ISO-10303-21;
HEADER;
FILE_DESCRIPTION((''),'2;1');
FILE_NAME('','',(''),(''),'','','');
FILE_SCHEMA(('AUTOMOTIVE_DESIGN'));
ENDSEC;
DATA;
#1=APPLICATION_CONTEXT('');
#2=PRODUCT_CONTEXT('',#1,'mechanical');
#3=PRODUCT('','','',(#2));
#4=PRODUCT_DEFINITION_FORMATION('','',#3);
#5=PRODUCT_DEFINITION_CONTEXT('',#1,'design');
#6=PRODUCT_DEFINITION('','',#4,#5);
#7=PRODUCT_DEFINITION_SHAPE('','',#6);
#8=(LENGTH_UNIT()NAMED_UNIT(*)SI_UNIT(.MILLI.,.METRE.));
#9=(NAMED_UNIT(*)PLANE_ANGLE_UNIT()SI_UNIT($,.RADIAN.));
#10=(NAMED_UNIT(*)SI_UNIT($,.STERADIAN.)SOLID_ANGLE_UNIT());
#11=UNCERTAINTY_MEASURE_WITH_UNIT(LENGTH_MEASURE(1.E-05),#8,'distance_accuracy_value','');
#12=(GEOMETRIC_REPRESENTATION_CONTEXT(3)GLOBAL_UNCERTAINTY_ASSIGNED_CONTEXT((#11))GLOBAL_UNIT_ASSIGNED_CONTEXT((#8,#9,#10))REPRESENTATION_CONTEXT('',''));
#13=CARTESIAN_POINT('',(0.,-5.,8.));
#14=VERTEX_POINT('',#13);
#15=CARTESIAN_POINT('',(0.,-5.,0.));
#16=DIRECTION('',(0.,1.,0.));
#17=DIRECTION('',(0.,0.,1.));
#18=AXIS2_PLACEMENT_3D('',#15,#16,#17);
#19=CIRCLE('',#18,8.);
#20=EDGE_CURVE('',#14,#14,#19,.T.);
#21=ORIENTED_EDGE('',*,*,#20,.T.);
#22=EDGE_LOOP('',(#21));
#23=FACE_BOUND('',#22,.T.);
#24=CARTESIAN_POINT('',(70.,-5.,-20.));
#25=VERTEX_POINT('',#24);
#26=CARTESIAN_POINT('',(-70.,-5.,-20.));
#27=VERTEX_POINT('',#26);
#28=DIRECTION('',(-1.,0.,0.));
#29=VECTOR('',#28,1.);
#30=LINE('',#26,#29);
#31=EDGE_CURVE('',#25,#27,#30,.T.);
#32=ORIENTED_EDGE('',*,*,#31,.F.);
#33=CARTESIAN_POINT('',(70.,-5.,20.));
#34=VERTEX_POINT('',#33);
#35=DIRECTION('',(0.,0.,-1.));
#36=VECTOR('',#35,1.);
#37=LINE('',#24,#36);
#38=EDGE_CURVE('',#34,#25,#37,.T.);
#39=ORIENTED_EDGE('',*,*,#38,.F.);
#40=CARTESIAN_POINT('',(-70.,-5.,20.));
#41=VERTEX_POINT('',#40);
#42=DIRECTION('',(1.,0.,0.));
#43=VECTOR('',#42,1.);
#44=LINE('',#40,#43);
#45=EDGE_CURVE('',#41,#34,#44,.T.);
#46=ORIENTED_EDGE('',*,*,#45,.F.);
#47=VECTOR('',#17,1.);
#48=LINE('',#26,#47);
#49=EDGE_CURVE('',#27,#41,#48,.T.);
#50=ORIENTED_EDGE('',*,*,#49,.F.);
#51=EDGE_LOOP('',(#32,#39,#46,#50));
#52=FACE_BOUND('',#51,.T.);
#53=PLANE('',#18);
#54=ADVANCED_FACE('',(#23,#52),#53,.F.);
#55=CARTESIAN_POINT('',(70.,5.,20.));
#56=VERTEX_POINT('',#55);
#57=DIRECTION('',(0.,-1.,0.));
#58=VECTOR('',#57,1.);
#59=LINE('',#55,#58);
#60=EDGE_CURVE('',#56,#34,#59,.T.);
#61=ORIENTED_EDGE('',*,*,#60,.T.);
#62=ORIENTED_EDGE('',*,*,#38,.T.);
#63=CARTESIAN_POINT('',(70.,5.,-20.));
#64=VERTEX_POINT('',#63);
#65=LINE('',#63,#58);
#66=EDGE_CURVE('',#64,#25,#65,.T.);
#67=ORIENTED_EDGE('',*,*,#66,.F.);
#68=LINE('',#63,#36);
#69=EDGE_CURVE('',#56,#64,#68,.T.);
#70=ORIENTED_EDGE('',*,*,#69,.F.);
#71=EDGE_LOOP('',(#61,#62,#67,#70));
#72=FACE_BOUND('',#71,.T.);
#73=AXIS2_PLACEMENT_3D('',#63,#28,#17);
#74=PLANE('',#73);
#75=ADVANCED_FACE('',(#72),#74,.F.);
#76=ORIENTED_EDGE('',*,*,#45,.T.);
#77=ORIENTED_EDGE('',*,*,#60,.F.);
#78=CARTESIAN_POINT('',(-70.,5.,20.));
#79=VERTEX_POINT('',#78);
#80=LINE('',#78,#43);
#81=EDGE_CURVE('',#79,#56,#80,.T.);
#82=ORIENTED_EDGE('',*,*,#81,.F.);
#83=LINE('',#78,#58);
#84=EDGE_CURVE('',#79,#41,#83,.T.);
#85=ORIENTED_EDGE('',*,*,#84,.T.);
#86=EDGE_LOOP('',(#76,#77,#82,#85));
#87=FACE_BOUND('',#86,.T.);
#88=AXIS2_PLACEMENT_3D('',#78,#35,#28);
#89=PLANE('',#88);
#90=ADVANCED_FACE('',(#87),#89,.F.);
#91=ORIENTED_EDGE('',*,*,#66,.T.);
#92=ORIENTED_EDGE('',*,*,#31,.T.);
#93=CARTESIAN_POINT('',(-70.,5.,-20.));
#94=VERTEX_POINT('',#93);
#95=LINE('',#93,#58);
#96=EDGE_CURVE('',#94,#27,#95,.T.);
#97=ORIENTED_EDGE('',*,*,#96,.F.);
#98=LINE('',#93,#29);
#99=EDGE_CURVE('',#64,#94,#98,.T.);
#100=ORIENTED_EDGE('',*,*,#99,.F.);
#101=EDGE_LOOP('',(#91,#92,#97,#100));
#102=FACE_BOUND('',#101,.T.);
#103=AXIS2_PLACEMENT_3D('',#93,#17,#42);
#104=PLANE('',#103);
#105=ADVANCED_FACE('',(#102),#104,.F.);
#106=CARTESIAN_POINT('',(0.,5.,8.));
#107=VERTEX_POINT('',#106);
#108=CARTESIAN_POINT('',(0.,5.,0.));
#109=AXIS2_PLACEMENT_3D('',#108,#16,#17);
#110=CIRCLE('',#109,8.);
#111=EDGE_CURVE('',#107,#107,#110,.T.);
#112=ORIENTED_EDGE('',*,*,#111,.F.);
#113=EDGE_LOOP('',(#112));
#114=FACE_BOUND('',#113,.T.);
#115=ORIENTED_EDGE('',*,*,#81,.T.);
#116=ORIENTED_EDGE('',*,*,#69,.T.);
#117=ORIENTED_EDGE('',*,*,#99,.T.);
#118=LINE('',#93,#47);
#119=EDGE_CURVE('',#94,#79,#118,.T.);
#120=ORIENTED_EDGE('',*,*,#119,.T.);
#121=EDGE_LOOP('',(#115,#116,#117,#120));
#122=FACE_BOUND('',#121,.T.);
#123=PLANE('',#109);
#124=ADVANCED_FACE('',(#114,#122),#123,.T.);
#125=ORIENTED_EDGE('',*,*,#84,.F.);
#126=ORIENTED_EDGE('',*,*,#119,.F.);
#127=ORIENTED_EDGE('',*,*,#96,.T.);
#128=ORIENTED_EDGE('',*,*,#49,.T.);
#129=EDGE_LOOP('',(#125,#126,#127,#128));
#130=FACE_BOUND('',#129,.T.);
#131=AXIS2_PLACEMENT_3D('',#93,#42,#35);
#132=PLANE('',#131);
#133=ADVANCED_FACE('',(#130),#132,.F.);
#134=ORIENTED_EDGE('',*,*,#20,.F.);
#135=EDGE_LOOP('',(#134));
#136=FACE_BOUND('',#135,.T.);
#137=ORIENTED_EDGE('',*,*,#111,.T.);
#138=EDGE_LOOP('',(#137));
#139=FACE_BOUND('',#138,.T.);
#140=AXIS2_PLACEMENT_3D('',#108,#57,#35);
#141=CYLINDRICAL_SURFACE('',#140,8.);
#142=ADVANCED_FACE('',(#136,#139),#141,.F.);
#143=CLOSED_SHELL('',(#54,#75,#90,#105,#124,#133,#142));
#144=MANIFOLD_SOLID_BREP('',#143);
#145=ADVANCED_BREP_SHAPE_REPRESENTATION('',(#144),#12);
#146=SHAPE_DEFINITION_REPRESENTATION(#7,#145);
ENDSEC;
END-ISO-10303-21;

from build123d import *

# Parameters (mm, degrees)
SKETCH1_W           = 140
SKETCH1_H           = 40
SKETCH1_R           = 8
BOSS_EXTRUDE1_DEPTH = 5


with BuildPart() as part:
    # Sketch1 → Boss-Extrude1 (new, symmetric)
    with BuildSketch(Plane(origin=(0, 0, 0), x_dir=(1, 0, 0), z_dir=(0, 1, 0))):
        Rectangle(SKETCH1_W, SKETCH1_H)
        with Locations(Location((0, 0, 0), (0, 0, 270))):
            Circle(SKETCH1_R, mode=Mode.SUBTRACT)
    extrude(amount=BOSS_EXTRUDE1_DEPTH, both=True)


solid = part.part
